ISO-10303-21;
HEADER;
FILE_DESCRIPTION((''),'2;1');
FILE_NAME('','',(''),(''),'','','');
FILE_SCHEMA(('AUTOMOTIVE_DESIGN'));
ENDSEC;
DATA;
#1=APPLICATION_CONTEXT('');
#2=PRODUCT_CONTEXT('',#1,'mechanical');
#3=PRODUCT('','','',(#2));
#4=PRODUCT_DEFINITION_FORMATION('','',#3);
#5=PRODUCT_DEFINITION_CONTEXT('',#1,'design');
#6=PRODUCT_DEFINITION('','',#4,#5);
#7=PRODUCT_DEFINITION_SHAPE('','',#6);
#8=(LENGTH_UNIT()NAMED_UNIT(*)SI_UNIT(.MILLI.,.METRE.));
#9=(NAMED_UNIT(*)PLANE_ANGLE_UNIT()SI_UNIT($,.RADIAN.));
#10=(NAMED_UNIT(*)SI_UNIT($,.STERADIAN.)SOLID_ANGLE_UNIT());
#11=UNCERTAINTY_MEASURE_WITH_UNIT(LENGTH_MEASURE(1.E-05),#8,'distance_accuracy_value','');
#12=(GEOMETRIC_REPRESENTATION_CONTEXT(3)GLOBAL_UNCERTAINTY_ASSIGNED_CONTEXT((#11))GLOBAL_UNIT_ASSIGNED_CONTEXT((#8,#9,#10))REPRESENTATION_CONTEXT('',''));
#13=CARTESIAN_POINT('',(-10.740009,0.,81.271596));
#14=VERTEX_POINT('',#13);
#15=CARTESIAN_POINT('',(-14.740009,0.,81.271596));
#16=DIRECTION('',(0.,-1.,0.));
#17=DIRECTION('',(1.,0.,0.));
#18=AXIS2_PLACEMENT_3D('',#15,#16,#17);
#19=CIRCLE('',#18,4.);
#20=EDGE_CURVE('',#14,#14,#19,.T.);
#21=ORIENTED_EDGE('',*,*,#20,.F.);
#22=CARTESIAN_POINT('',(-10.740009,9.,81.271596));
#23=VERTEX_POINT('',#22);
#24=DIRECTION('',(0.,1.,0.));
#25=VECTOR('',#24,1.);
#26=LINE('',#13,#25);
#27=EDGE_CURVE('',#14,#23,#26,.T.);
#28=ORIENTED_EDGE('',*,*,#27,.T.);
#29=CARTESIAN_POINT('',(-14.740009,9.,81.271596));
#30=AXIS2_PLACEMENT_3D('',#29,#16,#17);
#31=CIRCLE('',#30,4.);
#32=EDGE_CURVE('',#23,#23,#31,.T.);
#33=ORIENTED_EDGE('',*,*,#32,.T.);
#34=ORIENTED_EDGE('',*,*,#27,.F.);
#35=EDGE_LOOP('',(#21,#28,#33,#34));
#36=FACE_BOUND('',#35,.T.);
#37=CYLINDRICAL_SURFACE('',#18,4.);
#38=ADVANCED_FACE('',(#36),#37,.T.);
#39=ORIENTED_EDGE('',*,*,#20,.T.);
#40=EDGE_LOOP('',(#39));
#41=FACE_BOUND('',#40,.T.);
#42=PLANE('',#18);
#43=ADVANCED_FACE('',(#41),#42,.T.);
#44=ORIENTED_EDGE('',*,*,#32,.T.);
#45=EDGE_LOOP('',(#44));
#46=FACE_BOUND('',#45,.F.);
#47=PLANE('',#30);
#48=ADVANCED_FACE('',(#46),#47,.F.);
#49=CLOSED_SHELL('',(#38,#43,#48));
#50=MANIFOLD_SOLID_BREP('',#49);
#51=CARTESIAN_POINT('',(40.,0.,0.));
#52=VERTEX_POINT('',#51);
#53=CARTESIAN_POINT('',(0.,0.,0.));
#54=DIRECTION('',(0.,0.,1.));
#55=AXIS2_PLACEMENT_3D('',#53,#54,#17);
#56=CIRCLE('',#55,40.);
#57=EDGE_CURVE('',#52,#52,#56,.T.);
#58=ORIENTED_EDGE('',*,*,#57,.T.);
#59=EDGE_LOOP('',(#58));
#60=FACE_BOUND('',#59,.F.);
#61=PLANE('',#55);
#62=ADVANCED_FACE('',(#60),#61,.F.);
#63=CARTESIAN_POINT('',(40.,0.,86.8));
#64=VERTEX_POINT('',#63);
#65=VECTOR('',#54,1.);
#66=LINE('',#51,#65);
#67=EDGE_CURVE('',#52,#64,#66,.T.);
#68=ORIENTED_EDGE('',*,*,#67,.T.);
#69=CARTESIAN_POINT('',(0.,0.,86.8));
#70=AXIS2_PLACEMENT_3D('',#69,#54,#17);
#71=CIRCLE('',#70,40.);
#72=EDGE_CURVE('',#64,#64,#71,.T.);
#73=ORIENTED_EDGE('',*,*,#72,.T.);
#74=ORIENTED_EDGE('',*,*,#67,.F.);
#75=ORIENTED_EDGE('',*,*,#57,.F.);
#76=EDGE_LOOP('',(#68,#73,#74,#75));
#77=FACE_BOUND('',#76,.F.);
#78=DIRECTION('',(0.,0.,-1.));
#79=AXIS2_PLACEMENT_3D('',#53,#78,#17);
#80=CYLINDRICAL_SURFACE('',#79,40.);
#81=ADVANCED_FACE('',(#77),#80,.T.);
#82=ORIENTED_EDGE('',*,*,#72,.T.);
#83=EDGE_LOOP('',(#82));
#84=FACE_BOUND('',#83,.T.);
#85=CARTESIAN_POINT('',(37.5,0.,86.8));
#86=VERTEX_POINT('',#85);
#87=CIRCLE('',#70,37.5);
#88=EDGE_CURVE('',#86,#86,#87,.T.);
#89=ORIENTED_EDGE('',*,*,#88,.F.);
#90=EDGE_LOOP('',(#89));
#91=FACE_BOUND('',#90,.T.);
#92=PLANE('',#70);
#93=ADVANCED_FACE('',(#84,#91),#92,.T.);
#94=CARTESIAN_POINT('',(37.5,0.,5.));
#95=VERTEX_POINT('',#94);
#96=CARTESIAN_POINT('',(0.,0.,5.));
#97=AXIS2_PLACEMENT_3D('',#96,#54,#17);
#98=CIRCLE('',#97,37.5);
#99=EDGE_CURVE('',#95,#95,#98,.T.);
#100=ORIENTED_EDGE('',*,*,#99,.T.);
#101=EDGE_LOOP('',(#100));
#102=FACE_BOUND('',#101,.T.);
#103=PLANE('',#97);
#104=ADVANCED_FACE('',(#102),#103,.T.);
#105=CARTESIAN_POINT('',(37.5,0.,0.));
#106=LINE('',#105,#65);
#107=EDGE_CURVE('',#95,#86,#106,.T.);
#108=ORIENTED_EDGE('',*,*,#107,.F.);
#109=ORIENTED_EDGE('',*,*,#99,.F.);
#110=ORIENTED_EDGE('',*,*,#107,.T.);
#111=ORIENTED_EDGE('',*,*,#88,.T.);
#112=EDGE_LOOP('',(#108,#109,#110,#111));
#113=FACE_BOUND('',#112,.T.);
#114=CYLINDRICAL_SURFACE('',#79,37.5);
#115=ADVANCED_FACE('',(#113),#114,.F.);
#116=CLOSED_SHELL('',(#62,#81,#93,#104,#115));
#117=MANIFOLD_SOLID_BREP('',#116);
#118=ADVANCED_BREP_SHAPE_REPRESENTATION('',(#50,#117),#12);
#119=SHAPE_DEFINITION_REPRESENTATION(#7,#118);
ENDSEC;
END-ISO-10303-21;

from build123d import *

# Parameters (mm, degrees)
F0_R     = 40
F0_R_2   = 37.5
F2_DEPTH = 86.8
F1_R     = 37.5
F3_DEPTH = 5
F4_R     = 4
F5_DEPTH = 1
F6_DEPTH = 9


with BuildPart() as f2:
    # F0 (on Top) → F2 (new body)
    with BuildSketch(Plane.XY):
        Circle(F0_R)
        Circle(F0_R_2, mode=Mode.SUBTRACT)
    extrude(amount=F2_DEPTH)

    # F1 (on face) → F3 (join)
    with BuildSketch(Plane.XY):
        Circle(F1_R)
    extrude(amount=F3_DEPTH)


with BuildPart() as f5:
    # F4 (on Front) → F5 (new body)
    with BuildSketch(Plane.XZ):
        with Locations((-14.7400088608, 81.2715962529)):
            Circle(F4_R)
    extrude(amount=-F5_DEPTH)

    # F6 (add): a face of the model
    f6_faces = [f5.faces().sort_by_distance(p)[0] for p in [
        (-14.7400088608, 0, 81.2715962529),
    ]]
    extrude(f6_faces, amount=-F6_DEPTH)


solid = Compound([f2.part, f5.part])
